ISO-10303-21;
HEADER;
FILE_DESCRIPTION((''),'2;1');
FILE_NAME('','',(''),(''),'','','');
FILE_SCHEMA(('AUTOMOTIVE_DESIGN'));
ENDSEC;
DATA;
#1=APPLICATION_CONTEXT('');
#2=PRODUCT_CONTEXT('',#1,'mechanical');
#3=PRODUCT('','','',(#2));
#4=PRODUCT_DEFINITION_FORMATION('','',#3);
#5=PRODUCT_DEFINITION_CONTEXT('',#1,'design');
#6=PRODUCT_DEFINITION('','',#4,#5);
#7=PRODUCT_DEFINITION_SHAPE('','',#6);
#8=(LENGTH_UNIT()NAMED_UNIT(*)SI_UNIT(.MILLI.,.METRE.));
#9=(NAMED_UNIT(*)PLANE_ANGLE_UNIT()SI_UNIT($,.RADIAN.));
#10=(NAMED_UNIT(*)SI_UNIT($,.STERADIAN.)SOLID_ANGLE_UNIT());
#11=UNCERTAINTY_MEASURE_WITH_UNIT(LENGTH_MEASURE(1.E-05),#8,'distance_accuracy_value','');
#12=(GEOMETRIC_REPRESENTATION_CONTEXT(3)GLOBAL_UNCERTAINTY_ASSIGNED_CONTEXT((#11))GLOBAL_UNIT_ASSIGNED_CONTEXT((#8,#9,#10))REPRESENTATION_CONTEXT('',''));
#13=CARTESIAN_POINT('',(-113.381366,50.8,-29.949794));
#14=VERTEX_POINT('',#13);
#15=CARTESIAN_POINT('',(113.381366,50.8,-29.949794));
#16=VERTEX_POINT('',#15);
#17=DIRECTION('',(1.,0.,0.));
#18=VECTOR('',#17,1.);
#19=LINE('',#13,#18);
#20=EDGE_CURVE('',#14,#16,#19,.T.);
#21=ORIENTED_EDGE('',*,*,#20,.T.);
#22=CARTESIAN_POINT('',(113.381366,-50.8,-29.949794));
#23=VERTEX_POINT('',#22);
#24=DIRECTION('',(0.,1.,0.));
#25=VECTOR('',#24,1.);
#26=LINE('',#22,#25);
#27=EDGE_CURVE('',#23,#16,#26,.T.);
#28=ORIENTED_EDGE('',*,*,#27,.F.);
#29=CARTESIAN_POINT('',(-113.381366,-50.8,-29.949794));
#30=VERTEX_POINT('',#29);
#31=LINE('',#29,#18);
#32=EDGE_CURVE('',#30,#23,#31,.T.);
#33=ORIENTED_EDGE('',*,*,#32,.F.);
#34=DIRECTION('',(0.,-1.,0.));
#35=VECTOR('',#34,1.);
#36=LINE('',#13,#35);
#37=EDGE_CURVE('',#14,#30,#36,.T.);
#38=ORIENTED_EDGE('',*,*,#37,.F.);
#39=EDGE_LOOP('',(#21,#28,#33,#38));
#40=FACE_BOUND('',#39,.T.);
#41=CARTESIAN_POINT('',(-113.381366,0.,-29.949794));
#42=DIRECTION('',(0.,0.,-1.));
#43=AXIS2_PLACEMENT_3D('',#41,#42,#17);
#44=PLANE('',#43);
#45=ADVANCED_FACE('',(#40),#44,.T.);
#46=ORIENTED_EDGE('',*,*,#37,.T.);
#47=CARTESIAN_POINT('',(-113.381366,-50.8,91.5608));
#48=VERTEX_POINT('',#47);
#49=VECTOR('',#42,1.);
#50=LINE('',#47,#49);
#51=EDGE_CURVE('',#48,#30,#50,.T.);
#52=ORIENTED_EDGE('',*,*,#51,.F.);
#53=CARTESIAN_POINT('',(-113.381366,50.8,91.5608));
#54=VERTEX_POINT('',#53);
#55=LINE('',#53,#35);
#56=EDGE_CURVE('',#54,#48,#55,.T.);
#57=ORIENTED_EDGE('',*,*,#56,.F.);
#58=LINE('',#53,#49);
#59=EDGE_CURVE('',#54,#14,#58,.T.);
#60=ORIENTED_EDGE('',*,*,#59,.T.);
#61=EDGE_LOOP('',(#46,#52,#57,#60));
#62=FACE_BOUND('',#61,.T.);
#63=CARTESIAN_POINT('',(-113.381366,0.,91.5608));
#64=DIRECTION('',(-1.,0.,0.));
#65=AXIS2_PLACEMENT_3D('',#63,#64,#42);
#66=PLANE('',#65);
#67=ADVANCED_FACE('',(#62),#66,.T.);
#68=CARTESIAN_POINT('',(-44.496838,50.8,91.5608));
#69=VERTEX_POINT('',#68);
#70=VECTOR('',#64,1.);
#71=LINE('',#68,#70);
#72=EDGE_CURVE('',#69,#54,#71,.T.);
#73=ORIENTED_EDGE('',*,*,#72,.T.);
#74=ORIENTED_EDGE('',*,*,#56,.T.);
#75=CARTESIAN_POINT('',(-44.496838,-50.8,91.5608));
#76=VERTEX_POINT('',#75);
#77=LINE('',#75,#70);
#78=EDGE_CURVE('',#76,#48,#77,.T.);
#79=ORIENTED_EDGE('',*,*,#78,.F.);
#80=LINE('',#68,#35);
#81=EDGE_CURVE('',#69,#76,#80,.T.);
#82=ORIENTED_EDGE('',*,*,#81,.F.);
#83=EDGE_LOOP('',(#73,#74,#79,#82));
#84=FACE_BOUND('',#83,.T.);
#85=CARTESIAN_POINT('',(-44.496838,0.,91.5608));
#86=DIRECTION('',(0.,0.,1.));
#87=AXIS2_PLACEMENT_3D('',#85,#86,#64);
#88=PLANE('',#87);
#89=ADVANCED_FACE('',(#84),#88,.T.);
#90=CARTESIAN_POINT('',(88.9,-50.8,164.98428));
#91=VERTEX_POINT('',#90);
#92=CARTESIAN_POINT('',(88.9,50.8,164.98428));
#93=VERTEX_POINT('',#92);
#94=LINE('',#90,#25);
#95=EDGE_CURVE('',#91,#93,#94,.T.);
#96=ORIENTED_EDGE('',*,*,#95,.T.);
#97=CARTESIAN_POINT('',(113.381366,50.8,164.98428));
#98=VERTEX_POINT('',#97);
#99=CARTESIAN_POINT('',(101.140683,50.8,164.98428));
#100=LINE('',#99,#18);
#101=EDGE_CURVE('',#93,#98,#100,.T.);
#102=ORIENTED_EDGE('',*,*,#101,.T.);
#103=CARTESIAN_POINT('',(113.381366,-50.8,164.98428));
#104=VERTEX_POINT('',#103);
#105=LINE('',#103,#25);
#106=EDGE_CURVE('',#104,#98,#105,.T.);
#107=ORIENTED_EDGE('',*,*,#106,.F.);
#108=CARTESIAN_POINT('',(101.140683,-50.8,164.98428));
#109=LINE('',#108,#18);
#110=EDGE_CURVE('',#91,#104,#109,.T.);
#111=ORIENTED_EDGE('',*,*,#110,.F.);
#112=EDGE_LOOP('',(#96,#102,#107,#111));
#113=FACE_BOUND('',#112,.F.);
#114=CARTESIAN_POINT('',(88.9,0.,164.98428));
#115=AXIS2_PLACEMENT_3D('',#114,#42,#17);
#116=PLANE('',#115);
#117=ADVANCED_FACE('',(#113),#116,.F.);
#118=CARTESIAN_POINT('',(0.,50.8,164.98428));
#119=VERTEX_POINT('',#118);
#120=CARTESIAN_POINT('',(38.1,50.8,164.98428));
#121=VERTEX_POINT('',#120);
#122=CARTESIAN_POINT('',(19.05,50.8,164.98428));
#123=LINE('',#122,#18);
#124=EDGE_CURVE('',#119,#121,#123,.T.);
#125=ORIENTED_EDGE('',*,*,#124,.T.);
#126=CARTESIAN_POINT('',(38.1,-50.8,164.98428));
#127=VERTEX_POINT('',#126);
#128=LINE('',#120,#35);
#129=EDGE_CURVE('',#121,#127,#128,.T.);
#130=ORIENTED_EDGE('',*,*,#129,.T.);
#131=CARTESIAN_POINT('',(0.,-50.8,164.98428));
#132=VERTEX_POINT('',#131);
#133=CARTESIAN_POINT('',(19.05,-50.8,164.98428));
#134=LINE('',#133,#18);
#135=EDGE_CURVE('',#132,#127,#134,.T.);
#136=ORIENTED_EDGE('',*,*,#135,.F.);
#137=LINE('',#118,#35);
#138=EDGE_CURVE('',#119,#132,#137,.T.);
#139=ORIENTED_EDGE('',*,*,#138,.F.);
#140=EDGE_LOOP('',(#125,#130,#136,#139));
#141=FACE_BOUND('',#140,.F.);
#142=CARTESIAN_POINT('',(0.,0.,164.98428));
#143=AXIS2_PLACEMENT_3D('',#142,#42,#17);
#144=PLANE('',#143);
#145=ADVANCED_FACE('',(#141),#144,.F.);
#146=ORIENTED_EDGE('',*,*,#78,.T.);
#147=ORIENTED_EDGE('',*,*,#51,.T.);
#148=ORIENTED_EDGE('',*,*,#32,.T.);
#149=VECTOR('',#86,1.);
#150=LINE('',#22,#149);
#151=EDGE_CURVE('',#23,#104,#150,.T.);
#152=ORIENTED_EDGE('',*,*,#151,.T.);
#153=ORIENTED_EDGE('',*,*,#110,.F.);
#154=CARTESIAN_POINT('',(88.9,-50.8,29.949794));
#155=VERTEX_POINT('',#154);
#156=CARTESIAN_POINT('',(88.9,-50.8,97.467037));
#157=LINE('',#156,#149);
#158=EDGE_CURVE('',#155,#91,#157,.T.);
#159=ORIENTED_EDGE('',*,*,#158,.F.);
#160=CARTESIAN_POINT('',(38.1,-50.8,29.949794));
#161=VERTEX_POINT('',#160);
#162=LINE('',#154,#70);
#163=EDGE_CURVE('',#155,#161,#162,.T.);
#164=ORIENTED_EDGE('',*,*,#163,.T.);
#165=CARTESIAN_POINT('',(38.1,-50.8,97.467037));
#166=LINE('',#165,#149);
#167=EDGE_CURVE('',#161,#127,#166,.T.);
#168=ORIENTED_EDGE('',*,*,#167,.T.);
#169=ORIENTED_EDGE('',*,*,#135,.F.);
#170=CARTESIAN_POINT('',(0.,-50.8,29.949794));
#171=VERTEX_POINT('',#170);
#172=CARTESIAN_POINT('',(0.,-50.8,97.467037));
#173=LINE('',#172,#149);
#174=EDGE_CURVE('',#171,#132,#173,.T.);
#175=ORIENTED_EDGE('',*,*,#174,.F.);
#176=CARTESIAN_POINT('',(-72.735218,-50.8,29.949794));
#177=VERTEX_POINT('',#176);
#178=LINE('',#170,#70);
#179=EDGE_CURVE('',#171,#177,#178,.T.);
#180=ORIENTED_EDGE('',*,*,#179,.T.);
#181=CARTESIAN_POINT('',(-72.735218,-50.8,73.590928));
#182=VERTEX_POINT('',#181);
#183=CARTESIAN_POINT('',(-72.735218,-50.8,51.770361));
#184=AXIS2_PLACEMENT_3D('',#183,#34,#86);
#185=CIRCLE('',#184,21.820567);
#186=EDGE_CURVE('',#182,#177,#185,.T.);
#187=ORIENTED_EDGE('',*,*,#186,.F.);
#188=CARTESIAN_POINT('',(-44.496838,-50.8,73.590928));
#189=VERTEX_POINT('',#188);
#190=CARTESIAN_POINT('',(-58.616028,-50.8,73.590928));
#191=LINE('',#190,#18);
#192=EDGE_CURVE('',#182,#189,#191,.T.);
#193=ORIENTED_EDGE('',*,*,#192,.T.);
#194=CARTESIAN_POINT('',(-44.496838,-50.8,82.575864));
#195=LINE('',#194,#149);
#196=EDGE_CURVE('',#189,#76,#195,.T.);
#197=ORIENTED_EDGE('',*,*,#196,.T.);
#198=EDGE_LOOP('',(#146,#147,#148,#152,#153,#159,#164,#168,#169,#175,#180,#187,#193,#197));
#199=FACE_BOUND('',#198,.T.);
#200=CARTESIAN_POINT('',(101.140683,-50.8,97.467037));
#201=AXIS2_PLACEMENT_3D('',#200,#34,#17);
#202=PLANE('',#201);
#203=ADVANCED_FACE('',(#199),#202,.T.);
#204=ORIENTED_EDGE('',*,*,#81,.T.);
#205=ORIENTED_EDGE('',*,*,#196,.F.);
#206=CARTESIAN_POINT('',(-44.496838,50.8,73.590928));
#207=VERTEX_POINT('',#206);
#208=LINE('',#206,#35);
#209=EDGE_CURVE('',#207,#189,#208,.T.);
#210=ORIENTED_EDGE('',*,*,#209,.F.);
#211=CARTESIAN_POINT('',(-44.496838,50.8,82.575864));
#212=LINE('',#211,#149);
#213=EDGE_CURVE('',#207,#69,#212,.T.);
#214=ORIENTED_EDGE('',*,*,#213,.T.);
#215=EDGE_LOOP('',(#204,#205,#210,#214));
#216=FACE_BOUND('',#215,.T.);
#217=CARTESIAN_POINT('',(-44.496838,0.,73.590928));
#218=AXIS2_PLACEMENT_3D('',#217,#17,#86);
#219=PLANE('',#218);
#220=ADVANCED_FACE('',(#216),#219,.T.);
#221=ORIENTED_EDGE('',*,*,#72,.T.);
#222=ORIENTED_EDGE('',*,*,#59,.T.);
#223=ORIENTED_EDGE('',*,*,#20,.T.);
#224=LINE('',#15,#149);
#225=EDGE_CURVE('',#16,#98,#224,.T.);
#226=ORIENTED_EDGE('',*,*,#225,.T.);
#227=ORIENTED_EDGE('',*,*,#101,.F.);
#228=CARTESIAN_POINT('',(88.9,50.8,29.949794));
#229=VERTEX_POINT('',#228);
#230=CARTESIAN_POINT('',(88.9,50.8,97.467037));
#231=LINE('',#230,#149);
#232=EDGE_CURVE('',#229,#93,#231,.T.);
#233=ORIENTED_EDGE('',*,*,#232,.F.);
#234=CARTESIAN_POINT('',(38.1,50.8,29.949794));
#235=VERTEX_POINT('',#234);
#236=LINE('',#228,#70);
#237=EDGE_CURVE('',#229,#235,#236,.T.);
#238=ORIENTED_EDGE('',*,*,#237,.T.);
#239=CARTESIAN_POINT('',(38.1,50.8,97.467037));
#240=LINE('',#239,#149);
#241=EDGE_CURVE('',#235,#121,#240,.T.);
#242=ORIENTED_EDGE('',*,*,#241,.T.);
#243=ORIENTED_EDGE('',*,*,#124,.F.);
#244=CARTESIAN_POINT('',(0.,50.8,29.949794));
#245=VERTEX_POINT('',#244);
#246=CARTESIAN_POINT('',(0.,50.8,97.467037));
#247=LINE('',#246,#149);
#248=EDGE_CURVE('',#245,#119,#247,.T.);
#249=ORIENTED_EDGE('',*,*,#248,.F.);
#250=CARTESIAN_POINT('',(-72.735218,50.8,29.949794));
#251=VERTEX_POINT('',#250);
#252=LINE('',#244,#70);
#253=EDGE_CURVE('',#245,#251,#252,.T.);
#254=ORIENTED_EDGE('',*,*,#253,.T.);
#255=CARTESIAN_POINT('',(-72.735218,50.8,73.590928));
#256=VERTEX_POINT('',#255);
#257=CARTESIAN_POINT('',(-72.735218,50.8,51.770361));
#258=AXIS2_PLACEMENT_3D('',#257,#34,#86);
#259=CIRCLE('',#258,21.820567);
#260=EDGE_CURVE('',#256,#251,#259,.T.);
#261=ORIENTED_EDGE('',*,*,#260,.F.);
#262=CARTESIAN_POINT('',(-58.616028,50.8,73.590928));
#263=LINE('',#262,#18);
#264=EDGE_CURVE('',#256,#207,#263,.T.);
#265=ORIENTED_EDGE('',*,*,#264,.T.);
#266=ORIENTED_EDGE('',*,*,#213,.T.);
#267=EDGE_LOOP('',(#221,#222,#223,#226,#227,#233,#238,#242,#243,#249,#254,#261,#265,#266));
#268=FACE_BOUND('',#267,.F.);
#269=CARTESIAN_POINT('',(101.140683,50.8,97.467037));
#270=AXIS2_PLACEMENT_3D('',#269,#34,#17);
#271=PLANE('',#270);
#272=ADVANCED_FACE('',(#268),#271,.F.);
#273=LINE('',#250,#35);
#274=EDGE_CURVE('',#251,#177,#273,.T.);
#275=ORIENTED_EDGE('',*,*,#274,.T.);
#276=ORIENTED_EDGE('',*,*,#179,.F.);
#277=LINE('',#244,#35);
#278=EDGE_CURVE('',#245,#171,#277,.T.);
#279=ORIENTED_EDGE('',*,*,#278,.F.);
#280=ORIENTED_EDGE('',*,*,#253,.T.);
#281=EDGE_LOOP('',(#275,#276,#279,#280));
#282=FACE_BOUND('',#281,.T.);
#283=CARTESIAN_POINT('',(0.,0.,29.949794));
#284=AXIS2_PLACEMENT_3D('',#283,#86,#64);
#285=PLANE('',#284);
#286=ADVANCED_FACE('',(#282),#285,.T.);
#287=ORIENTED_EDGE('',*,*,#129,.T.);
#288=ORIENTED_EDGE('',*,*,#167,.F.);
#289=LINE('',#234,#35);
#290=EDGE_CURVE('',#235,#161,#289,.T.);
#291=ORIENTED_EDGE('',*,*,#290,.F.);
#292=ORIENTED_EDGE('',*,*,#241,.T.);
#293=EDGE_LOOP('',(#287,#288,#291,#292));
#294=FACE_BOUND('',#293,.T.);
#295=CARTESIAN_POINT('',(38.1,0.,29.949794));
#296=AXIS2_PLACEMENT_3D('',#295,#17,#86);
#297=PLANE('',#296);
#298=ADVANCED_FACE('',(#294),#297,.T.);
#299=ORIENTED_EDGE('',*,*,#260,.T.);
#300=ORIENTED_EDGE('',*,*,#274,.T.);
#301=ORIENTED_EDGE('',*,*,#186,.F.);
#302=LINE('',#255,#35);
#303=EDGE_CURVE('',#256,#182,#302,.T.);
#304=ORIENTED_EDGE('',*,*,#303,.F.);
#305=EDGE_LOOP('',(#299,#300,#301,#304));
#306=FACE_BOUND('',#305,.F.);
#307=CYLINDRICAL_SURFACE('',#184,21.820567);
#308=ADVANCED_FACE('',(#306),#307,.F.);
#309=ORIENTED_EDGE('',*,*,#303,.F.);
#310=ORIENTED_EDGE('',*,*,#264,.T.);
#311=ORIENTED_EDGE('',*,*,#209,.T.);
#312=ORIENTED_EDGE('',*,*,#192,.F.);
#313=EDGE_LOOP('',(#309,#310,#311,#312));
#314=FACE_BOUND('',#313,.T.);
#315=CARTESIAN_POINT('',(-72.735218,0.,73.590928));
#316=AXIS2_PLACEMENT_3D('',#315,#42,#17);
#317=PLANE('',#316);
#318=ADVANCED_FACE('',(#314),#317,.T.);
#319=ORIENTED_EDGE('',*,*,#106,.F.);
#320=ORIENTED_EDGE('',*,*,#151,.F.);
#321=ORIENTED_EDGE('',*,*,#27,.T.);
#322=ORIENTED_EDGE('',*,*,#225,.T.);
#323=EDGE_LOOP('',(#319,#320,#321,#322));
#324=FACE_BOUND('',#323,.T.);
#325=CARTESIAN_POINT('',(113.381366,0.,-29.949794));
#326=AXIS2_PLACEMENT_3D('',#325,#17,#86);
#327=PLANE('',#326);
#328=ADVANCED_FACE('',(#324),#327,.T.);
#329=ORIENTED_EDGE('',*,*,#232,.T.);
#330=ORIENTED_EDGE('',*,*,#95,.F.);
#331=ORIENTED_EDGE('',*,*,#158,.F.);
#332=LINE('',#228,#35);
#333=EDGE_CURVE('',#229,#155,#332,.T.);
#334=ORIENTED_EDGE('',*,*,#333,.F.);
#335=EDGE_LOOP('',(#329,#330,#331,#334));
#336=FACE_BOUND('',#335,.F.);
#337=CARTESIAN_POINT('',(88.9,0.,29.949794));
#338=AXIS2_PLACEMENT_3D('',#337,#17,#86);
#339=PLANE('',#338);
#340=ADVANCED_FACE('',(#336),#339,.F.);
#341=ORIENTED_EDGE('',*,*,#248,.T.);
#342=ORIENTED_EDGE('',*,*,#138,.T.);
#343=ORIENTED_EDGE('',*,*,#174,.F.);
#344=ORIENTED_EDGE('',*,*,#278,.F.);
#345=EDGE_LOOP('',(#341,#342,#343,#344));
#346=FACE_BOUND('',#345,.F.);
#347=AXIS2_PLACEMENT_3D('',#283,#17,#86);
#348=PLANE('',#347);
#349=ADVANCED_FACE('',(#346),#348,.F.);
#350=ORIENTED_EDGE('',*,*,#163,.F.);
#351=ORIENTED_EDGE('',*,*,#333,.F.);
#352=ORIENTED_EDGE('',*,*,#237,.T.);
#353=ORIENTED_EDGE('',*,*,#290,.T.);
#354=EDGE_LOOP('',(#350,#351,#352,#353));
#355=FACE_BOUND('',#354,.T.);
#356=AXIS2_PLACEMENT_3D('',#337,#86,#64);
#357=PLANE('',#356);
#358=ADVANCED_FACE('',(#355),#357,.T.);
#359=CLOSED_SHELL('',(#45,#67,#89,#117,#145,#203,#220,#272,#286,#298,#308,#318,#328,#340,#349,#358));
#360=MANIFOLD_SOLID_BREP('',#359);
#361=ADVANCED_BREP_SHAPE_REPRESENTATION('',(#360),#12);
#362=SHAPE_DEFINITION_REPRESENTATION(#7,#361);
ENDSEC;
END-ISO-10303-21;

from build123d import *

# Parameters (mm, degrees)
F0_W     = 24.481366
F0_H     = 135.034486
F0_W_2   = 38.1
F0_W_3   = 40.646148
F0_H_2   = 59.899588
F0_H_3   = 43.641134
F0_H_4   = 17.969872
F0_W_4   = 28.23838
F1_DEPTH = 50.8
F3_DEPTH = 176.784


with BuildPart() as f1:
    # F0 (on Front) → F1 (new body, symmetric)
    with BuildSketch(Plane.XZ):
        with Locations((101.140683, 97.467037)):
            Rectangle(F0_W, F0_H)
        with Locations((19.05, 97.467037)):
            Rectangle(F0_W_2, F0_H)
        Polygon((38.1, 29.949794), (0, 29.949794), (-72.735218, 29.949794), (-72.735218, -29.949794), (113.381366, -29.949794), (113.381366, 29.949794), (88.9, 29.949794), align=None)
        with Locations((-93.058292, 0)):
            Rectangle(F0_W_3, F0_H_2)
        with Locations((-93.058292, 51.770361)):
            Rectangle(F0_W_3, F0_H_3)
        with Locations((-93.058292, 82.575864)):
            Rectangle(F0_W_3, F0_H_4)
        with Locations((-58.616028, 82.575864)):
            Rectangle(F0_W_4, F0_H_4)
    extrude(amount=F1_DEPTH, both=True)

    # F2 (on face) → F3 (cut)
    with BuildSketch(Plane.XZ.offset(50.8)):
        with BuildLine():
            Line((-72.735218, 29.949794), (-72.735218, 73.590928))
            ThreePointArc((-72.735218, 73.590928), (-94.555785, 51.770361), (-72.735218, 29.949794))
        make_face()
    extrude(amount=-F3_DEPTH, mode=Mode.SUBTRACT)


solid = f1.part
